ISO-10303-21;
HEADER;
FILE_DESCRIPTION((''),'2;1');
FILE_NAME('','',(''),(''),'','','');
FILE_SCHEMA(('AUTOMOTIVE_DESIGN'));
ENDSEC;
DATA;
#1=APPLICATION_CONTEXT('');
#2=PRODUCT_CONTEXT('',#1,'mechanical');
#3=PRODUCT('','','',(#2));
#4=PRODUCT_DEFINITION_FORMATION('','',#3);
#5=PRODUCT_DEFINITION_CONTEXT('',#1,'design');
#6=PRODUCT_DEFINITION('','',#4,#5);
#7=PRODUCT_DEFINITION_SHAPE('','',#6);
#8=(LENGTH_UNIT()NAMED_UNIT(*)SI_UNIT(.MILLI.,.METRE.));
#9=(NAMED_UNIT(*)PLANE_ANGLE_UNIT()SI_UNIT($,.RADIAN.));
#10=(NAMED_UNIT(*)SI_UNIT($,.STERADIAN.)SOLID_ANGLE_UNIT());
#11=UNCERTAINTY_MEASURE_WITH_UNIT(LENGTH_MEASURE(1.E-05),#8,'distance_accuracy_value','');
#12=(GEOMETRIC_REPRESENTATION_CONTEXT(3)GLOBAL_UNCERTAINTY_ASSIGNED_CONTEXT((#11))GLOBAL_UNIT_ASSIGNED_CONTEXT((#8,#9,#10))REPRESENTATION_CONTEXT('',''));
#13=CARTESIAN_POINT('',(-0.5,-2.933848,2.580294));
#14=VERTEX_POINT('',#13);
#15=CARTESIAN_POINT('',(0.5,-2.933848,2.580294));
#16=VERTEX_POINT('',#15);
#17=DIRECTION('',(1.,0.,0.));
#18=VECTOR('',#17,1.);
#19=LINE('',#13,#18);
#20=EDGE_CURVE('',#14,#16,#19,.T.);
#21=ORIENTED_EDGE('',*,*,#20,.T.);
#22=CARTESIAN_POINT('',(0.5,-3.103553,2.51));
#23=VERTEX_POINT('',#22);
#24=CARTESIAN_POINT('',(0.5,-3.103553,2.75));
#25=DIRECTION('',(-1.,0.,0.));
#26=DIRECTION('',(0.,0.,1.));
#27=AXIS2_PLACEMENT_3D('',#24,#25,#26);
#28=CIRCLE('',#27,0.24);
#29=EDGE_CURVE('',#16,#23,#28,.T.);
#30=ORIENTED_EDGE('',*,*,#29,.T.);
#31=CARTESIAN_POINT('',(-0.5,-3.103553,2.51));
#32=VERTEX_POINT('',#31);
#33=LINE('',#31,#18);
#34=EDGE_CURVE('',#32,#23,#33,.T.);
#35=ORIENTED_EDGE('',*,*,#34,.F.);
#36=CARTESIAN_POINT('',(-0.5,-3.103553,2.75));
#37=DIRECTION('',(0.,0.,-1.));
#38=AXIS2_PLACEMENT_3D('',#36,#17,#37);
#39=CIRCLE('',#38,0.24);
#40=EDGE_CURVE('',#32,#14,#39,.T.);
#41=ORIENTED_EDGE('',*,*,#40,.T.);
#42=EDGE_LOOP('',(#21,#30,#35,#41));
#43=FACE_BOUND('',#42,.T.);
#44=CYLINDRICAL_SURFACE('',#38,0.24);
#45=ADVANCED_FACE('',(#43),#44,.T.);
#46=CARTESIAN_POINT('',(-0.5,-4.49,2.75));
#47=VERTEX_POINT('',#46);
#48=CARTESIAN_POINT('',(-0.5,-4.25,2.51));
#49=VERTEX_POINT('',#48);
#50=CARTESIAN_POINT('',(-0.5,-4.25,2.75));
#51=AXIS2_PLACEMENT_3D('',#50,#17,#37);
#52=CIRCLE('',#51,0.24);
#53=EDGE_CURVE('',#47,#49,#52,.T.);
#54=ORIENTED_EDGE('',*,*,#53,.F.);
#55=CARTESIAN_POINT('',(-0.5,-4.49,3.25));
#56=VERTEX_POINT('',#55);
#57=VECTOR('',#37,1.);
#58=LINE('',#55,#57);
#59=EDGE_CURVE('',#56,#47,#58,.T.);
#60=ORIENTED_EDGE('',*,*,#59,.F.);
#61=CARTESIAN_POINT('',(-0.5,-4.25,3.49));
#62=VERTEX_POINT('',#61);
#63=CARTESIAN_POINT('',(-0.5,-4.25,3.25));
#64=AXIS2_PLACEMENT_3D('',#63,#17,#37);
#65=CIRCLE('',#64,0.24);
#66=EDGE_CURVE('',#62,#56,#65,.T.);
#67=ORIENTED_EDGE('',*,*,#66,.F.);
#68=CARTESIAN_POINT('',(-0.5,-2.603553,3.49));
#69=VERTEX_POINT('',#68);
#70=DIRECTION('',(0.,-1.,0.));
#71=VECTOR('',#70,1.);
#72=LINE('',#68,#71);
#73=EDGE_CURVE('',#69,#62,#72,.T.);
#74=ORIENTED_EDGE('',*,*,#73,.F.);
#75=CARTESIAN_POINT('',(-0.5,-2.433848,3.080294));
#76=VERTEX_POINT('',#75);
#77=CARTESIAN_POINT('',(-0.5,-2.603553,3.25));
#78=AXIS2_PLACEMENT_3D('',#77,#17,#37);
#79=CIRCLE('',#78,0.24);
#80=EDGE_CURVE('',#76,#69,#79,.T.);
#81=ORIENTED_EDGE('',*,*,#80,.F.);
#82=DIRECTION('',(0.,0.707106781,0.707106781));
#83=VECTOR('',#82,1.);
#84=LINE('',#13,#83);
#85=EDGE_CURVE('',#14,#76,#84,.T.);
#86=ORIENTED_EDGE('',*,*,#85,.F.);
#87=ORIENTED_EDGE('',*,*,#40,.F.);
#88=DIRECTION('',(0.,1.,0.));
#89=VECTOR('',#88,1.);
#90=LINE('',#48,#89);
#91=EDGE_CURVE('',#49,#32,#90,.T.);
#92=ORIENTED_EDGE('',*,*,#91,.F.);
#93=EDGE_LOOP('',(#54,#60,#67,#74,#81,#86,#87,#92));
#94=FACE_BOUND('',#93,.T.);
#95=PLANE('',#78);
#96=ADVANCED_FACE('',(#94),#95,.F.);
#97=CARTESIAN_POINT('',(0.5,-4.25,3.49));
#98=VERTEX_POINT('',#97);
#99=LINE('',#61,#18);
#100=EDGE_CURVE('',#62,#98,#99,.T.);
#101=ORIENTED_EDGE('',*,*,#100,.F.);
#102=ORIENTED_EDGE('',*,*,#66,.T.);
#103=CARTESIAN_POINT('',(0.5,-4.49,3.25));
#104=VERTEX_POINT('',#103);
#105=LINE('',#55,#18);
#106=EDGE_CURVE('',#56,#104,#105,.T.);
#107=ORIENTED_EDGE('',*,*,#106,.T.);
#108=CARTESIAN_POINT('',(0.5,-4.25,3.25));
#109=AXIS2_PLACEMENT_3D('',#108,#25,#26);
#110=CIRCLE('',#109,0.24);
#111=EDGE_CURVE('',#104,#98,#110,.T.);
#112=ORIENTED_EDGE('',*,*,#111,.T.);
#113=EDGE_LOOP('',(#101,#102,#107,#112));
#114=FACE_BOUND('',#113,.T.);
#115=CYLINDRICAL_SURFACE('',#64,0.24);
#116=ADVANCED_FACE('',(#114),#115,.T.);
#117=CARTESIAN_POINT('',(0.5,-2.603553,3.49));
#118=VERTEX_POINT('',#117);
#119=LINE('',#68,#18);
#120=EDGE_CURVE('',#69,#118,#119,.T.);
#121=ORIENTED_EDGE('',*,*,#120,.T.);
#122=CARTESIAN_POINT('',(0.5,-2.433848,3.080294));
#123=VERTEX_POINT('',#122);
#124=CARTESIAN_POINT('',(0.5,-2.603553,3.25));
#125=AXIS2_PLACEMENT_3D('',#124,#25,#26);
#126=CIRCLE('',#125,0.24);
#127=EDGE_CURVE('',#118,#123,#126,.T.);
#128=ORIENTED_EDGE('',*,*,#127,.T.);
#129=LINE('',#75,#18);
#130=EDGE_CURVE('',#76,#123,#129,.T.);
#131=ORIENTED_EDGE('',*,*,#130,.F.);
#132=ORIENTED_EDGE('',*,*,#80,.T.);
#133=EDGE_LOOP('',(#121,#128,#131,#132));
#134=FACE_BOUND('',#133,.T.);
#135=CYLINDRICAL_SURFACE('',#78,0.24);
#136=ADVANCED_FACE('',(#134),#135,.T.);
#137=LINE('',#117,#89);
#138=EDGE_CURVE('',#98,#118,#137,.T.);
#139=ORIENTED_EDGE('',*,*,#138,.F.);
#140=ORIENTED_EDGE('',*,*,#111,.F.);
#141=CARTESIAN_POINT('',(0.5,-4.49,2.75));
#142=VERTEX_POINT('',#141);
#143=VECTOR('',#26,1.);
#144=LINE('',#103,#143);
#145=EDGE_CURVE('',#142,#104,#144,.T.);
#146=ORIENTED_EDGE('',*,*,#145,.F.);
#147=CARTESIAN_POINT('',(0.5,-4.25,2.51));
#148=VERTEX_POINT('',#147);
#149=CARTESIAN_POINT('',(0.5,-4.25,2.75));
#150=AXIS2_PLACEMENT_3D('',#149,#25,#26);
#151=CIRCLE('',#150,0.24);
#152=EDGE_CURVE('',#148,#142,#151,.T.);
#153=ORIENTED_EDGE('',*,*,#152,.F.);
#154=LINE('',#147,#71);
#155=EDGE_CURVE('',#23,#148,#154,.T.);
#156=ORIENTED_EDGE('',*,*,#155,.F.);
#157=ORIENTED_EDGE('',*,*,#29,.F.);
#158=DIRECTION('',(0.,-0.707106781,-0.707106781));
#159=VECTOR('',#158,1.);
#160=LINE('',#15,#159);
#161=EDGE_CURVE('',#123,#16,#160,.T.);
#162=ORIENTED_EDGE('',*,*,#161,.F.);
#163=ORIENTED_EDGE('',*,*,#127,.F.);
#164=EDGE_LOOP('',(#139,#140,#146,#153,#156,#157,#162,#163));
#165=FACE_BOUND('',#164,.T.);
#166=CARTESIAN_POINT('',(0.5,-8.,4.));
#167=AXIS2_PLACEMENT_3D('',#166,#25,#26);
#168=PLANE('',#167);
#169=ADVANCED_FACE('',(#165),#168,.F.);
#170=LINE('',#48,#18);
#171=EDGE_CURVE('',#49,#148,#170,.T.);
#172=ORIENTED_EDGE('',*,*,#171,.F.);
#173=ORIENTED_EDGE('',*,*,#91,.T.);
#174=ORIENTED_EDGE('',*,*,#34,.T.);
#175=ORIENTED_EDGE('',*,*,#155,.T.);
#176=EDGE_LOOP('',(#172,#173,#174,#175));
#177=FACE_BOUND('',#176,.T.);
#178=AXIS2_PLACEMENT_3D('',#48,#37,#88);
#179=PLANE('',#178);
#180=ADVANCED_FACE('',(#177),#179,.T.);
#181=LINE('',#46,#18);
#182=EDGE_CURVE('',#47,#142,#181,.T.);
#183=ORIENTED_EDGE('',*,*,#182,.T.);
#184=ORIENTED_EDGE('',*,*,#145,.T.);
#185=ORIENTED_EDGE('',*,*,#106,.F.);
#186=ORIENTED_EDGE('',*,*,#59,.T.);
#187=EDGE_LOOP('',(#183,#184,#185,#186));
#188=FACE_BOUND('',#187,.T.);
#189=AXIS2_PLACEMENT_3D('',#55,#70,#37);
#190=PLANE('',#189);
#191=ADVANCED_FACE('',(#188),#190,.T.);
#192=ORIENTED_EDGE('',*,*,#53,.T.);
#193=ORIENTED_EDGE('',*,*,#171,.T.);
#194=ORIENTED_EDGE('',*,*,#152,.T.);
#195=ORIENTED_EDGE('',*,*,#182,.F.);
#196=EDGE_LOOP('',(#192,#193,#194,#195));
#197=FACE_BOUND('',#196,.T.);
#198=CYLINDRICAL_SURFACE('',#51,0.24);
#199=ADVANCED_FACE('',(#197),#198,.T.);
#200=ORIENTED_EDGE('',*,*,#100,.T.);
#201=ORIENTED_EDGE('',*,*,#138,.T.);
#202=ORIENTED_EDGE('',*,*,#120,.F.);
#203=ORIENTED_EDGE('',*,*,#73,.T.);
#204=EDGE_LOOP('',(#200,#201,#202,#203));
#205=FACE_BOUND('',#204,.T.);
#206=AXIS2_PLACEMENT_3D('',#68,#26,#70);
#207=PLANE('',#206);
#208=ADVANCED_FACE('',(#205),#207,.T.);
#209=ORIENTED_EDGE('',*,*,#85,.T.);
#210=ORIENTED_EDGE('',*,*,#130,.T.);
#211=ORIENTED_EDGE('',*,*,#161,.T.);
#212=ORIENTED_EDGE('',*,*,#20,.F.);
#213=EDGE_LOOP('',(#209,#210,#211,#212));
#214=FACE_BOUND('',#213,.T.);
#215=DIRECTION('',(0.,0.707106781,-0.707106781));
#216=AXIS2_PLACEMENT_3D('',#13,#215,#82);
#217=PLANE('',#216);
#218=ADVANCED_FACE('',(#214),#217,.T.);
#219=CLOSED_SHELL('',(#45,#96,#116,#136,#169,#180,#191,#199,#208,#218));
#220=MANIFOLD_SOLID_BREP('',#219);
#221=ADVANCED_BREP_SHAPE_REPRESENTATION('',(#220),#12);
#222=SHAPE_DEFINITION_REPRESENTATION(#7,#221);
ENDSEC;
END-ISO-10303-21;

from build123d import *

# Parameters (mm, degrees)
BOSS_EXTRUDE1_DEPTH      = 0.5
BOSS_EXTRUDE1_DEPTH_BACK = 0.5


with BuildPart() as part:
    # Sketch1 → Boss-Extrude1 (new, two sides: drawn at the far end of the back side and taken through both)
    with BuildSketch(Plane.YZ.offset(-BOSS_EXTRUDE1_DEPTH_BACK)):
        with BuildLine():
            Line((-4.25, 2.51), (-3.103553391, 2.51))
            ThreePointArc((-3.103553391, 2.51), (-3.011709367, 2.528268912), (-2.933847763, 2.580294373))
            Line((-2.933847763, 2.580294373), (-2.433847763, 3.080294373))
            ThreePointArc((-2.433847763, 3.080294373), (-2.381822303, 3.341844024), (-2.603553391, 3.49))
            Line((-2.603553391, 3.49), (-4.25, 3.49))
            ThreePointArc((-4.25, 3.49), (-4.419705627, 3.419705627), (-4.49, 3.25))
            Line((-4.49, 3.25), (-4.49, 2.75))
            ThreePointArc((-4.49, 2.75), (-4.419705627, 2.580294373), (-4.25, 2.51))
        make_face()
    extrude(amount=BOSS_EXTRUDE1_DEPTH + BOSS_EXTRUDE1_DEPTH_BACK)


solid = part.part
